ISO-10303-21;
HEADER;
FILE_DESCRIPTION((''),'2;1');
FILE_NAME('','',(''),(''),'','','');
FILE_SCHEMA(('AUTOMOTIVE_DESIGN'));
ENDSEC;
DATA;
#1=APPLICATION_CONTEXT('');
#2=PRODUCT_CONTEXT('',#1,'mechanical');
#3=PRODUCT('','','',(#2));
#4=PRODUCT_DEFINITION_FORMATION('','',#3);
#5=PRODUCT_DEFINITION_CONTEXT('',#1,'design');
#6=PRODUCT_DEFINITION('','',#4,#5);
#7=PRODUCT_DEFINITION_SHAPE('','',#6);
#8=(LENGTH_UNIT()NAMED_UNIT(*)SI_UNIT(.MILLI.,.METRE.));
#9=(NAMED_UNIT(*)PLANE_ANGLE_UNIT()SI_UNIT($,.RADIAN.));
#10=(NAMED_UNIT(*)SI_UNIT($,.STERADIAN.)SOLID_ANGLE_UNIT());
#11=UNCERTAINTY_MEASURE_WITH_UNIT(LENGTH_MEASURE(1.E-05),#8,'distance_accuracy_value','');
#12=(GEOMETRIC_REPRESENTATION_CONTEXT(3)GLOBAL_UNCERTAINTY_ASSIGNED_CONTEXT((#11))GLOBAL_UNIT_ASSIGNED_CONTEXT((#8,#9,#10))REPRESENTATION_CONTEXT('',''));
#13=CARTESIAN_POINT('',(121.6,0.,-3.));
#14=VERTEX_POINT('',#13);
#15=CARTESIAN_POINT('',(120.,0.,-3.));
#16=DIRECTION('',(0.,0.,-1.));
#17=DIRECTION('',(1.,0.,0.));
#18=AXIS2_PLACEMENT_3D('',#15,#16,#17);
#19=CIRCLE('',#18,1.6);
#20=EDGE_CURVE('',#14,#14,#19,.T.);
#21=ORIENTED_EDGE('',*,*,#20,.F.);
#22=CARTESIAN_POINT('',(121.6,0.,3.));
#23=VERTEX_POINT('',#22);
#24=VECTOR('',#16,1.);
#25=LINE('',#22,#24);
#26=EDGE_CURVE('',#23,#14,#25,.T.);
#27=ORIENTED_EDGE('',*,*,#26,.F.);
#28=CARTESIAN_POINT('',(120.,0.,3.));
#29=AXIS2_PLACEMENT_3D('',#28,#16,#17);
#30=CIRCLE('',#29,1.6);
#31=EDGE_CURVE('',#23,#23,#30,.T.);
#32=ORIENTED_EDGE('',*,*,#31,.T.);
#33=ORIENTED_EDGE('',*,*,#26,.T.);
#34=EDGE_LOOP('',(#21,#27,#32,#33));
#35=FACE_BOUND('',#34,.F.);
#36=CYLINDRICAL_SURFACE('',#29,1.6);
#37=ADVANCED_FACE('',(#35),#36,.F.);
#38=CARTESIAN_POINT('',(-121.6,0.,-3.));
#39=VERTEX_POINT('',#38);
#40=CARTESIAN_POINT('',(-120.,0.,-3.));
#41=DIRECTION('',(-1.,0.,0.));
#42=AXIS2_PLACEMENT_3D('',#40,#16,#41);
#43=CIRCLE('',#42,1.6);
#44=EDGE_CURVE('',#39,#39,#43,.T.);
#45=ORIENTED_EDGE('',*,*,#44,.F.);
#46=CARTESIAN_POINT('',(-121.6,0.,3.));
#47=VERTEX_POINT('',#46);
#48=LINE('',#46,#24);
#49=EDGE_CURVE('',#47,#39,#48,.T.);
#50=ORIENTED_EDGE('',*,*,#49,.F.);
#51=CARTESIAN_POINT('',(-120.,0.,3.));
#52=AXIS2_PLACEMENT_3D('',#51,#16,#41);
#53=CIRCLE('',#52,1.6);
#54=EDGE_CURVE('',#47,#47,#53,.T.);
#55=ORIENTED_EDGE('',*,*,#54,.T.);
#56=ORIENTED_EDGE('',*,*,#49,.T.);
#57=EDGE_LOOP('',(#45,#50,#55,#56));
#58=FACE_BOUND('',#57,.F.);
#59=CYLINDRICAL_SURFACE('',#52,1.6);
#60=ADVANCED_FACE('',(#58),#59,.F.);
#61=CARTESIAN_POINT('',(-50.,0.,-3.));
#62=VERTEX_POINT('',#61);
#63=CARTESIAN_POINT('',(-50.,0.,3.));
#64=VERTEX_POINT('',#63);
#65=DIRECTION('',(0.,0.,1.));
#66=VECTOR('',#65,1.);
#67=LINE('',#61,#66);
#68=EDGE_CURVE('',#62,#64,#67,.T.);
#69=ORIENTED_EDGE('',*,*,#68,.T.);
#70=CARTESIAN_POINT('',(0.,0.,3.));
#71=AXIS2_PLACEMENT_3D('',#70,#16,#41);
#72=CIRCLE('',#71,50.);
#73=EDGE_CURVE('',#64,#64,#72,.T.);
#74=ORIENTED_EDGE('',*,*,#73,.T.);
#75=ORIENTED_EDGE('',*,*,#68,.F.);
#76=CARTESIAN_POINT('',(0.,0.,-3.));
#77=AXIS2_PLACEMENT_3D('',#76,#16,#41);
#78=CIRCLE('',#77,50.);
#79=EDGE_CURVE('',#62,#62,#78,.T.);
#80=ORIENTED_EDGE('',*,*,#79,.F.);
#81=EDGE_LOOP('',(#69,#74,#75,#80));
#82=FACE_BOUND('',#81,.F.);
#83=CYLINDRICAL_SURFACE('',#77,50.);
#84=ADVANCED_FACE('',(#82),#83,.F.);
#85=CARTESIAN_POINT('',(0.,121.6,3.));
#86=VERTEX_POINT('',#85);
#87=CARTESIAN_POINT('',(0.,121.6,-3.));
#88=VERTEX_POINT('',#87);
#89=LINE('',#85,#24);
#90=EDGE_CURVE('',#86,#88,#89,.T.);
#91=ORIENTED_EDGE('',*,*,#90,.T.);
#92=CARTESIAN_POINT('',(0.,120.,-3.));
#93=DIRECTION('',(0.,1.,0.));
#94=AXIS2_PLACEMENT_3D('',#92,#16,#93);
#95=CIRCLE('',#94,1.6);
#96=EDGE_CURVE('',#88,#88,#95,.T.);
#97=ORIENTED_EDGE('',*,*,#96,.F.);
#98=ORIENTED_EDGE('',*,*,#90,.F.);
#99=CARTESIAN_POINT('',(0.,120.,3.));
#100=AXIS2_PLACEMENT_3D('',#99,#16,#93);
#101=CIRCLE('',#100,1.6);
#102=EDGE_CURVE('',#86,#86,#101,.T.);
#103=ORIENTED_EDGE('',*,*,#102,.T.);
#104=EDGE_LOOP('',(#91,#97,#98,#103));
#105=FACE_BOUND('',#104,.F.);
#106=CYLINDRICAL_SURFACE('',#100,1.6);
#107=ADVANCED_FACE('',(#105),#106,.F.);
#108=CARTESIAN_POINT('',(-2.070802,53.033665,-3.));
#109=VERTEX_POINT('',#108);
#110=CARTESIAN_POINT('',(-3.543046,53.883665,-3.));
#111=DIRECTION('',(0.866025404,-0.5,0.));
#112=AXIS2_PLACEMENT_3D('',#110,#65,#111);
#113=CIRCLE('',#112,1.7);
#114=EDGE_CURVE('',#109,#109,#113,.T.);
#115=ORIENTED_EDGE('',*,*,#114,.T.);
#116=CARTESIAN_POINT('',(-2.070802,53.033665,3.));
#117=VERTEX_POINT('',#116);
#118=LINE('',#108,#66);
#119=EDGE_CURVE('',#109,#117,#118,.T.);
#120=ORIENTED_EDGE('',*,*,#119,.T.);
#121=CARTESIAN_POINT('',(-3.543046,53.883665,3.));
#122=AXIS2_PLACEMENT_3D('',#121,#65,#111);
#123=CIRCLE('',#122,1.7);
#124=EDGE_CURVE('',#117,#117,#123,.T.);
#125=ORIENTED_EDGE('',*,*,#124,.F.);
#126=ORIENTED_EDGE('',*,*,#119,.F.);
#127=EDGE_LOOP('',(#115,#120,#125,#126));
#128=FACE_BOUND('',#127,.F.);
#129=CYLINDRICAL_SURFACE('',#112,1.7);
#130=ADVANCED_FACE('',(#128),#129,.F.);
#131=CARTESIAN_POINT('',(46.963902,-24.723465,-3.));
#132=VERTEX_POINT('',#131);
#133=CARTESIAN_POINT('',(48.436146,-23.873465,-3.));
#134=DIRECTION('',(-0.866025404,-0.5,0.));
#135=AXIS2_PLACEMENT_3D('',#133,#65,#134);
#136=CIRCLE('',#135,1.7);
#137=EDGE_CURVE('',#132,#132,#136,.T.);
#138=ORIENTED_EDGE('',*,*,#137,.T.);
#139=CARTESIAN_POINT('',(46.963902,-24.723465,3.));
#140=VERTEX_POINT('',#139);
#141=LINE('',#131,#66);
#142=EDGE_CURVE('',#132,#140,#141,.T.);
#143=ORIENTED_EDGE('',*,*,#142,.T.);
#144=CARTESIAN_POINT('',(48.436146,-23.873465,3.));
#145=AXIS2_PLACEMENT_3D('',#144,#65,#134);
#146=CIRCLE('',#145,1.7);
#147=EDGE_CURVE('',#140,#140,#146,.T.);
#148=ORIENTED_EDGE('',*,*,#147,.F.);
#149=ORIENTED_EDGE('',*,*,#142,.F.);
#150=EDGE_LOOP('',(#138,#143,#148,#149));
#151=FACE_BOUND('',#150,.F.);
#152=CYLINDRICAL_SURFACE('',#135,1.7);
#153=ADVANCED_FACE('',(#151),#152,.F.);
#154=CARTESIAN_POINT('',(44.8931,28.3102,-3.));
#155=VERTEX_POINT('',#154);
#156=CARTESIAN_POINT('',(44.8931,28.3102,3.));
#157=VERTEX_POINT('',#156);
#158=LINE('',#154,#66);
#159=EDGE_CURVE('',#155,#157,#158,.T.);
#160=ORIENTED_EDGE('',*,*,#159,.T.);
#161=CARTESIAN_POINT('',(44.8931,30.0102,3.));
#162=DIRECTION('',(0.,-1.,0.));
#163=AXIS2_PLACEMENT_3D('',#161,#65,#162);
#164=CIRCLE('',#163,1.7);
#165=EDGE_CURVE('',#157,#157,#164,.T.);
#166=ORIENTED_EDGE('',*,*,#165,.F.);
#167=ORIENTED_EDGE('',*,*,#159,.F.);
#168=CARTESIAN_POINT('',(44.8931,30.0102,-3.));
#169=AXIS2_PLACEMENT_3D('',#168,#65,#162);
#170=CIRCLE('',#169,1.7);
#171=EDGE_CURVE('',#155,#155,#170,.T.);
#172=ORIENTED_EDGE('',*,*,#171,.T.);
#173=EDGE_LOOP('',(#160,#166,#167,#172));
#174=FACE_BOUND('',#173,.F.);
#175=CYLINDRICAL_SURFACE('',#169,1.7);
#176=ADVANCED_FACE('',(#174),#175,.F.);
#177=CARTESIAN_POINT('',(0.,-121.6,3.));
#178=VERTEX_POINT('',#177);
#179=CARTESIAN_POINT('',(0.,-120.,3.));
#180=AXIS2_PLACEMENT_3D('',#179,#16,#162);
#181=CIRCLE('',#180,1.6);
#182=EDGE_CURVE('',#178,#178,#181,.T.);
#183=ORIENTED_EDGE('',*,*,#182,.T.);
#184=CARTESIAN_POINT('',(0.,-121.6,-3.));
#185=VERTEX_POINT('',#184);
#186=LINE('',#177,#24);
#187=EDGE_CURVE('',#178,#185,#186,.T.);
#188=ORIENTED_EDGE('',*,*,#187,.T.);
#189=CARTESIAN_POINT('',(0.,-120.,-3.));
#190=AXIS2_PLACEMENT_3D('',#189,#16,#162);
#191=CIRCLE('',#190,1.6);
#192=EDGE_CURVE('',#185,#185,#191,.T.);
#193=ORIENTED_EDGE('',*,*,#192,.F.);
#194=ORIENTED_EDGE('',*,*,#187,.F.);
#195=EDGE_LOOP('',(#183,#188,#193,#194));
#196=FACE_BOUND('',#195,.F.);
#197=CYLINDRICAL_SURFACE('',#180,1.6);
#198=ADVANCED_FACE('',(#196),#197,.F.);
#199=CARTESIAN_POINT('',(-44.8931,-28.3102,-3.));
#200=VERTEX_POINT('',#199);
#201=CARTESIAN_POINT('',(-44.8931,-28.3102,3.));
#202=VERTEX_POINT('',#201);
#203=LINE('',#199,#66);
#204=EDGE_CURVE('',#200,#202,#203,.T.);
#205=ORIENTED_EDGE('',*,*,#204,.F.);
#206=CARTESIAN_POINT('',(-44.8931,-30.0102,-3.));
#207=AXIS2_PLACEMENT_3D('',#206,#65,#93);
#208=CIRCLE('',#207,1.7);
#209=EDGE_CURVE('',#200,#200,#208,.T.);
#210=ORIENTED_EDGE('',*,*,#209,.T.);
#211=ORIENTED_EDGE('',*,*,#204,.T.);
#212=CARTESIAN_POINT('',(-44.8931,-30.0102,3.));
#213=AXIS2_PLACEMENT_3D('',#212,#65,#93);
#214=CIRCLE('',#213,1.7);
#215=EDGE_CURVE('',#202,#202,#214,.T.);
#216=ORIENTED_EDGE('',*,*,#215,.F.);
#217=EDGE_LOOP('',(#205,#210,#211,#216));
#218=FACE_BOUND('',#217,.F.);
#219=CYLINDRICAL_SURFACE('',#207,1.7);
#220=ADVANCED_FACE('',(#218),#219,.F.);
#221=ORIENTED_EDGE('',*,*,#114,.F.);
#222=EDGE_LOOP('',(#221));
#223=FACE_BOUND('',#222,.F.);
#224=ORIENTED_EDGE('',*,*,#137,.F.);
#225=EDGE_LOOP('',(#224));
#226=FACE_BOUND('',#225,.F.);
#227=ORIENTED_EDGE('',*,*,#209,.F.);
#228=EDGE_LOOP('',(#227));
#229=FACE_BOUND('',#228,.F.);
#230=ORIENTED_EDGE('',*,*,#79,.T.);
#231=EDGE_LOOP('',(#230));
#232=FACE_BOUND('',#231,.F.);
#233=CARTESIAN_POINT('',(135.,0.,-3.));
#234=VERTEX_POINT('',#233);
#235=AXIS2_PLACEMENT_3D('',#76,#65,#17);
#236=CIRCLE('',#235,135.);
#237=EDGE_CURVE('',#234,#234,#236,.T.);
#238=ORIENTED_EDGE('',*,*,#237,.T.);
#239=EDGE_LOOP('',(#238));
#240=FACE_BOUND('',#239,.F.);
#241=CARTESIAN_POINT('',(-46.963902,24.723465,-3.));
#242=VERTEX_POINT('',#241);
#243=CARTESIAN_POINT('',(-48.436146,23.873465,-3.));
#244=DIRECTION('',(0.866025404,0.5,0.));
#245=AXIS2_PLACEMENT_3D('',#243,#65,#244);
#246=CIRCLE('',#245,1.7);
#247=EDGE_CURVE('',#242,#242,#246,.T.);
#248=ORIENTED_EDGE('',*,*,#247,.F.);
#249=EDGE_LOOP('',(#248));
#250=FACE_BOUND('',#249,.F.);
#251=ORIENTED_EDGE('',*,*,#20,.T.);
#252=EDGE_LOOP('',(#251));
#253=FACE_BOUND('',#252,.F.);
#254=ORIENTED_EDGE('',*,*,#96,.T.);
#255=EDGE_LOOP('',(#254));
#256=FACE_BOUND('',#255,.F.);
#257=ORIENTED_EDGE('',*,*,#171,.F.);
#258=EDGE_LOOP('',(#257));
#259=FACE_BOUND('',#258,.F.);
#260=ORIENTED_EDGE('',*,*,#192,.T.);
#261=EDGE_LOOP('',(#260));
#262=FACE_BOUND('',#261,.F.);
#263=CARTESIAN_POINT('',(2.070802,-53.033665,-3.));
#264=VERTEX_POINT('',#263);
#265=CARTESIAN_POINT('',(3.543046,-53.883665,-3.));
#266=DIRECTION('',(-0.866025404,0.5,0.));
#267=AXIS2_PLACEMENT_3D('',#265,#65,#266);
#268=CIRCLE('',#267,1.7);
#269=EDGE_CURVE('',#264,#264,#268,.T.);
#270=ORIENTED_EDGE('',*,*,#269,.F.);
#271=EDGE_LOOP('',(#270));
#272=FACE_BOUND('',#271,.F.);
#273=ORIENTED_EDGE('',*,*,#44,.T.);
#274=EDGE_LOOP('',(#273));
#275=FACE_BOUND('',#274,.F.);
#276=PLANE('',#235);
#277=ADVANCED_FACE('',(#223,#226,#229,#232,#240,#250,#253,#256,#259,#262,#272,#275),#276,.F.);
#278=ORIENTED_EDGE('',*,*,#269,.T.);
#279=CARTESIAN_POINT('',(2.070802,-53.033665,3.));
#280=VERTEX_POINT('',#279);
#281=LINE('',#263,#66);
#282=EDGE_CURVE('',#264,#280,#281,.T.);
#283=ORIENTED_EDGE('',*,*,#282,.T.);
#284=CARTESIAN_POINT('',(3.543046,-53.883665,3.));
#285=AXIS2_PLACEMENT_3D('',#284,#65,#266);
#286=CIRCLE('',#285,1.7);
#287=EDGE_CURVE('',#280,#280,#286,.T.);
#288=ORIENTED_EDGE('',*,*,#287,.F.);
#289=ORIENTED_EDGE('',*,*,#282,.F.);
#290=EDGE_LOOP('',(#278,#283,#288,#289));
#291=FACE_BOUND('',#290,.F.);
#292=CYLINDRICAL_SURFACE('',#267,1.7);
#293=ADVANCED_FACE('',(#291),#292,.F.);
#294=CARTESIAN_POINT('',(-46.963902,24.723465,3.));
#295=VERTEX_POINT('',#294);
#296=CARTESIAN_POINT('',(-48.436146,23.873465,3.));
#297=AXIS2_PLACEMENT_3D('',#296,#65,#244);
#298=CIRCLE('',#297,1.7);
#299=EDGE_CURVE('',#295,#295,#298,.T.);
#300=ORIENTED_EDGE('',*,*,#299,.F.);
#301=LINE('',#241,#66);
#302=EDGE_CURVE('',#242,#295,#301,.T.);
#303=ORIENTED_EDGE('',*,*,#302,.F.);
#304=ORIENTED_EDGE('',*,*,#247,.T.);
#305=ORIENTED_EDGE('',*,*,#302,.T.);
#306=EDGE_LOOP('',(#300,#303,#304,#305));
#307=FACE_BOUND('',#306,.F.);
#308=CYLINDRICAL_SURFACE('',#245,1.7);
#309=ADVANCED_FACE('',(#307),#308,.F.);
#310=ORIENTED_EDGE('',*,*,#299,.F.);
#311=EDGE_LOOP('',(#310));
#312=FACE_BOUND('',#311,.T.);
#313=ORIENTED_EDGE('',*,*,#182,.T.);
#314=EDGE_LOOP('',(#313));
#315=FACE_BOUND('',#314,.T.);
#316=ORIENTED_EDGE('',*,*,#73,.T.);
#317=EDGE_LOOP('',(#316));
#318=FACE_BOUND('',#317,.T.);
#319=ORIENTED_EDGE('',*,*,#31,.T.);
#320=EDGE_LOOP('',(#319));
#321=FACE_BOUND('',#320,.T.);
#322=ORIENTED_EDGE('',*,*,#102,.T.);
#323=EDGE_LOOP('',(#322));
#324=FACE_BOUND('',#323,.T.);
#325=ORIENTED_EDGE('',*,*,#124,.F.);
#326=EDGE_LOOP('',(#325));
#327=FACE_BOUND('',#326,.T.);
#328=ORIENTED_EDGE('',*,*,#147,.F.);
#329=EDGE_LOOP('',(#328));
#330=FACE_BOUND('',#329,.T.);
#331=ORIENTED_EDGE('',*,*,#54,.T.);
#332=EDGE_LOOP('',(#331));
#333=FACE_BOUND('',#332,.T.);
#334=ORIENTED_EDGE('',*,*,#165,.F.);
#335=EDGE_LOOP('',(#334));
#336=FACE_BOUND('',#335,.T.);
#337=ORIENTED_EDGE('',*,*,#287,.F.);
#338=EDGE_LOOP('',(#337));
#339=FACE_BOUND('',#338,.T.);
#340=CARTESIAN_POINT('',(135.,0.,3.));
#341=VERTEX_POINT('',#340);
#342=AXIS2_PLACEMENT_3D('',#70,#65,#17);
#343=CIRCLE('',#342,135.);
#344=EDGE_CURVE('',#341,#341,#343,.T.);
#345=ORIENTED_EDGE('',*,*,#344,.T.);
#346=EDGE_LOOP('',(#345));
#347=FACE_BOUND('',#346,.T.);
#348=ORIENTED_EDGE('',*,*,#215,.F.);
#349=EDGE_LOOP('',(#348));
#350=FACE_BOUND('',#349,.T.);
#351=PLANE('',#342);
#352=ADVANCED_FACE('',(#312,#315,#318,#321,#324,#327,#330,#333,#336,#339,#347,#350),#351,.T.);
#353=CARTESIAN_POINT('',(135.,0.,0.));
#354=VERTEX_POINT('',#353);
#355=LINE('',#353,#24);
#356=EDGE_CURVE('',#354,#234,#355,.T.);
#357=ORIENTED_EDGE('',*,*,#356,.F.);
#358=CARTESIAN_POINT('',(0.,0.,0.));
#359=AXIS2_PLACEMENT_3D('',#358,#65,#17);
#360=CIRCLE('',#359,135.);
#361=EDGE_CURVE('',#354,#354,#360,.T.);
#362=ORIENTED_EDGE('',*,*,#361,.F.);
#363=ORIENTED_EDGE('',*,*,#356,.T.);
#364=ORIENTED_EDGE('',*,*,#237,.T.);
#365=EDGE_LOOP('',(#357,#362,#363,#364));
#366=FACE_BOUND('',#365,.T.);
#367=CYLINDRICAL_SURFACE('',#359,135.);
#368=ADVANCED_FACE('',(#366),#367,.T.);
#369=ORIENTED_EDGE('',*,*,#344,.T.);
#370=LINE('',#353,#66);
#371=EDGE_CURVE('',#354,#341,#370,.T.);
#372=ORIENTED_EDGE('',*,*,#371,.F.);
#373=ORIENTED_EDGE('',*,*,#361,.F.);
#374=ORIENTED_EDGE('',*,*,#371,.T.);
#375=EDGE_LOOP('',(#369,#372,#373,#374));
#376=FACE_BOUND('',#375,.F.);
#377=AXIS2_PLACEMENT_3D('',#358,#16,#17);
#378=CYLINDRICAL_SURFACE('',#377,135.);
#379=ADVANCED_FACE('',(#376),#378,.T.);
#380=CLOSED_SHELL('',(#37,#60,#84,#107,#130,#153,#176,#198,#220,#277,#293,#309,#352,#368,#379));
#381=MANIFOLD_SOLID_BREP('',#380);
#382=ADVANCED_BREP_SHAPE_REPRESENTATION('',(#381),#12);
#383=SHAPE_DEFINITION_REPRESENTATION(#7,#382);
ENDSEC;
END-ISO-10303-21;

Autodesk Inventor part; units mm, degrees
ref_plane "YZ Plane" through (0, 0, 0) normal (1, 0, 0) x (0, 1, 0)
ref_plane "XZ Plane" through (0, 0, 0) normal (0, 1, 0) x (-1, 0, 0)
ref_plane "XY Plane" through (0, 0, 0) normal (0, 0, 1) x (1, 0, 0)
sketch "Эскиз1" plane through (0, 0, 0) normal (0, 0, 1) x (1, 0, 0)
  circle A0 centre (0, 0) radius 135
  dimension "d0" = 270
extrude "Выдавливание1" add sketch "Эскиз1" along normal mid plane 6
sketch "Эскиз2" plane through (0, 0, 3) normal (0, 0, 1) x (1, 0, 0)
  circle A0 centre (0, 0) radius 120 construction
  line L0 (0, 0) -> (0, -223.6058) construction
  point P0 (0, -120)
  dimension "d3" = 240
hole "Отверстие1" at (0, -120, 3) direction (0, 0, -1) diameter 3.2 end through all clearance for "лты с шестигранной головкой / гайка ГОСТ 12876-67" size "M3" standard "ГОСТ"
pattern_circular "Круговой массив1" count 4 over 360 about axis through (0, 0, 0) along (0, 0, 1) of "Отверстие1"
sketch "Эскиз3" plane through (0, 0, -3) normal (0, 0, -1) x (-1, 0, 0)
  circle A0 centre (0, 0) radius 50
  dimension "d14" = 100
extrude "Выдавливание2" cut sketch "Эскиз3" against normal through all
sketch "Эскиз4" plane through (0, 0, -3) normal (0, 0, -1) x (-1, 0, 0)
  circle A0 centre (44.8931, -30.0102) radius 2.25 construction
  point P0 (0, 0)
hole "Отверстие2" at (-44.8931, -30.0102, -3) direction (0, 0, 1) diameter 3.4 end through all
pattern_circular "Круговой массив2" count 6 over 360 about axis through (0, 0, -3) along (0, 0, 1) of "Отверстие2"
properties part number "Диск_опорный" material "По умолчанию1"
